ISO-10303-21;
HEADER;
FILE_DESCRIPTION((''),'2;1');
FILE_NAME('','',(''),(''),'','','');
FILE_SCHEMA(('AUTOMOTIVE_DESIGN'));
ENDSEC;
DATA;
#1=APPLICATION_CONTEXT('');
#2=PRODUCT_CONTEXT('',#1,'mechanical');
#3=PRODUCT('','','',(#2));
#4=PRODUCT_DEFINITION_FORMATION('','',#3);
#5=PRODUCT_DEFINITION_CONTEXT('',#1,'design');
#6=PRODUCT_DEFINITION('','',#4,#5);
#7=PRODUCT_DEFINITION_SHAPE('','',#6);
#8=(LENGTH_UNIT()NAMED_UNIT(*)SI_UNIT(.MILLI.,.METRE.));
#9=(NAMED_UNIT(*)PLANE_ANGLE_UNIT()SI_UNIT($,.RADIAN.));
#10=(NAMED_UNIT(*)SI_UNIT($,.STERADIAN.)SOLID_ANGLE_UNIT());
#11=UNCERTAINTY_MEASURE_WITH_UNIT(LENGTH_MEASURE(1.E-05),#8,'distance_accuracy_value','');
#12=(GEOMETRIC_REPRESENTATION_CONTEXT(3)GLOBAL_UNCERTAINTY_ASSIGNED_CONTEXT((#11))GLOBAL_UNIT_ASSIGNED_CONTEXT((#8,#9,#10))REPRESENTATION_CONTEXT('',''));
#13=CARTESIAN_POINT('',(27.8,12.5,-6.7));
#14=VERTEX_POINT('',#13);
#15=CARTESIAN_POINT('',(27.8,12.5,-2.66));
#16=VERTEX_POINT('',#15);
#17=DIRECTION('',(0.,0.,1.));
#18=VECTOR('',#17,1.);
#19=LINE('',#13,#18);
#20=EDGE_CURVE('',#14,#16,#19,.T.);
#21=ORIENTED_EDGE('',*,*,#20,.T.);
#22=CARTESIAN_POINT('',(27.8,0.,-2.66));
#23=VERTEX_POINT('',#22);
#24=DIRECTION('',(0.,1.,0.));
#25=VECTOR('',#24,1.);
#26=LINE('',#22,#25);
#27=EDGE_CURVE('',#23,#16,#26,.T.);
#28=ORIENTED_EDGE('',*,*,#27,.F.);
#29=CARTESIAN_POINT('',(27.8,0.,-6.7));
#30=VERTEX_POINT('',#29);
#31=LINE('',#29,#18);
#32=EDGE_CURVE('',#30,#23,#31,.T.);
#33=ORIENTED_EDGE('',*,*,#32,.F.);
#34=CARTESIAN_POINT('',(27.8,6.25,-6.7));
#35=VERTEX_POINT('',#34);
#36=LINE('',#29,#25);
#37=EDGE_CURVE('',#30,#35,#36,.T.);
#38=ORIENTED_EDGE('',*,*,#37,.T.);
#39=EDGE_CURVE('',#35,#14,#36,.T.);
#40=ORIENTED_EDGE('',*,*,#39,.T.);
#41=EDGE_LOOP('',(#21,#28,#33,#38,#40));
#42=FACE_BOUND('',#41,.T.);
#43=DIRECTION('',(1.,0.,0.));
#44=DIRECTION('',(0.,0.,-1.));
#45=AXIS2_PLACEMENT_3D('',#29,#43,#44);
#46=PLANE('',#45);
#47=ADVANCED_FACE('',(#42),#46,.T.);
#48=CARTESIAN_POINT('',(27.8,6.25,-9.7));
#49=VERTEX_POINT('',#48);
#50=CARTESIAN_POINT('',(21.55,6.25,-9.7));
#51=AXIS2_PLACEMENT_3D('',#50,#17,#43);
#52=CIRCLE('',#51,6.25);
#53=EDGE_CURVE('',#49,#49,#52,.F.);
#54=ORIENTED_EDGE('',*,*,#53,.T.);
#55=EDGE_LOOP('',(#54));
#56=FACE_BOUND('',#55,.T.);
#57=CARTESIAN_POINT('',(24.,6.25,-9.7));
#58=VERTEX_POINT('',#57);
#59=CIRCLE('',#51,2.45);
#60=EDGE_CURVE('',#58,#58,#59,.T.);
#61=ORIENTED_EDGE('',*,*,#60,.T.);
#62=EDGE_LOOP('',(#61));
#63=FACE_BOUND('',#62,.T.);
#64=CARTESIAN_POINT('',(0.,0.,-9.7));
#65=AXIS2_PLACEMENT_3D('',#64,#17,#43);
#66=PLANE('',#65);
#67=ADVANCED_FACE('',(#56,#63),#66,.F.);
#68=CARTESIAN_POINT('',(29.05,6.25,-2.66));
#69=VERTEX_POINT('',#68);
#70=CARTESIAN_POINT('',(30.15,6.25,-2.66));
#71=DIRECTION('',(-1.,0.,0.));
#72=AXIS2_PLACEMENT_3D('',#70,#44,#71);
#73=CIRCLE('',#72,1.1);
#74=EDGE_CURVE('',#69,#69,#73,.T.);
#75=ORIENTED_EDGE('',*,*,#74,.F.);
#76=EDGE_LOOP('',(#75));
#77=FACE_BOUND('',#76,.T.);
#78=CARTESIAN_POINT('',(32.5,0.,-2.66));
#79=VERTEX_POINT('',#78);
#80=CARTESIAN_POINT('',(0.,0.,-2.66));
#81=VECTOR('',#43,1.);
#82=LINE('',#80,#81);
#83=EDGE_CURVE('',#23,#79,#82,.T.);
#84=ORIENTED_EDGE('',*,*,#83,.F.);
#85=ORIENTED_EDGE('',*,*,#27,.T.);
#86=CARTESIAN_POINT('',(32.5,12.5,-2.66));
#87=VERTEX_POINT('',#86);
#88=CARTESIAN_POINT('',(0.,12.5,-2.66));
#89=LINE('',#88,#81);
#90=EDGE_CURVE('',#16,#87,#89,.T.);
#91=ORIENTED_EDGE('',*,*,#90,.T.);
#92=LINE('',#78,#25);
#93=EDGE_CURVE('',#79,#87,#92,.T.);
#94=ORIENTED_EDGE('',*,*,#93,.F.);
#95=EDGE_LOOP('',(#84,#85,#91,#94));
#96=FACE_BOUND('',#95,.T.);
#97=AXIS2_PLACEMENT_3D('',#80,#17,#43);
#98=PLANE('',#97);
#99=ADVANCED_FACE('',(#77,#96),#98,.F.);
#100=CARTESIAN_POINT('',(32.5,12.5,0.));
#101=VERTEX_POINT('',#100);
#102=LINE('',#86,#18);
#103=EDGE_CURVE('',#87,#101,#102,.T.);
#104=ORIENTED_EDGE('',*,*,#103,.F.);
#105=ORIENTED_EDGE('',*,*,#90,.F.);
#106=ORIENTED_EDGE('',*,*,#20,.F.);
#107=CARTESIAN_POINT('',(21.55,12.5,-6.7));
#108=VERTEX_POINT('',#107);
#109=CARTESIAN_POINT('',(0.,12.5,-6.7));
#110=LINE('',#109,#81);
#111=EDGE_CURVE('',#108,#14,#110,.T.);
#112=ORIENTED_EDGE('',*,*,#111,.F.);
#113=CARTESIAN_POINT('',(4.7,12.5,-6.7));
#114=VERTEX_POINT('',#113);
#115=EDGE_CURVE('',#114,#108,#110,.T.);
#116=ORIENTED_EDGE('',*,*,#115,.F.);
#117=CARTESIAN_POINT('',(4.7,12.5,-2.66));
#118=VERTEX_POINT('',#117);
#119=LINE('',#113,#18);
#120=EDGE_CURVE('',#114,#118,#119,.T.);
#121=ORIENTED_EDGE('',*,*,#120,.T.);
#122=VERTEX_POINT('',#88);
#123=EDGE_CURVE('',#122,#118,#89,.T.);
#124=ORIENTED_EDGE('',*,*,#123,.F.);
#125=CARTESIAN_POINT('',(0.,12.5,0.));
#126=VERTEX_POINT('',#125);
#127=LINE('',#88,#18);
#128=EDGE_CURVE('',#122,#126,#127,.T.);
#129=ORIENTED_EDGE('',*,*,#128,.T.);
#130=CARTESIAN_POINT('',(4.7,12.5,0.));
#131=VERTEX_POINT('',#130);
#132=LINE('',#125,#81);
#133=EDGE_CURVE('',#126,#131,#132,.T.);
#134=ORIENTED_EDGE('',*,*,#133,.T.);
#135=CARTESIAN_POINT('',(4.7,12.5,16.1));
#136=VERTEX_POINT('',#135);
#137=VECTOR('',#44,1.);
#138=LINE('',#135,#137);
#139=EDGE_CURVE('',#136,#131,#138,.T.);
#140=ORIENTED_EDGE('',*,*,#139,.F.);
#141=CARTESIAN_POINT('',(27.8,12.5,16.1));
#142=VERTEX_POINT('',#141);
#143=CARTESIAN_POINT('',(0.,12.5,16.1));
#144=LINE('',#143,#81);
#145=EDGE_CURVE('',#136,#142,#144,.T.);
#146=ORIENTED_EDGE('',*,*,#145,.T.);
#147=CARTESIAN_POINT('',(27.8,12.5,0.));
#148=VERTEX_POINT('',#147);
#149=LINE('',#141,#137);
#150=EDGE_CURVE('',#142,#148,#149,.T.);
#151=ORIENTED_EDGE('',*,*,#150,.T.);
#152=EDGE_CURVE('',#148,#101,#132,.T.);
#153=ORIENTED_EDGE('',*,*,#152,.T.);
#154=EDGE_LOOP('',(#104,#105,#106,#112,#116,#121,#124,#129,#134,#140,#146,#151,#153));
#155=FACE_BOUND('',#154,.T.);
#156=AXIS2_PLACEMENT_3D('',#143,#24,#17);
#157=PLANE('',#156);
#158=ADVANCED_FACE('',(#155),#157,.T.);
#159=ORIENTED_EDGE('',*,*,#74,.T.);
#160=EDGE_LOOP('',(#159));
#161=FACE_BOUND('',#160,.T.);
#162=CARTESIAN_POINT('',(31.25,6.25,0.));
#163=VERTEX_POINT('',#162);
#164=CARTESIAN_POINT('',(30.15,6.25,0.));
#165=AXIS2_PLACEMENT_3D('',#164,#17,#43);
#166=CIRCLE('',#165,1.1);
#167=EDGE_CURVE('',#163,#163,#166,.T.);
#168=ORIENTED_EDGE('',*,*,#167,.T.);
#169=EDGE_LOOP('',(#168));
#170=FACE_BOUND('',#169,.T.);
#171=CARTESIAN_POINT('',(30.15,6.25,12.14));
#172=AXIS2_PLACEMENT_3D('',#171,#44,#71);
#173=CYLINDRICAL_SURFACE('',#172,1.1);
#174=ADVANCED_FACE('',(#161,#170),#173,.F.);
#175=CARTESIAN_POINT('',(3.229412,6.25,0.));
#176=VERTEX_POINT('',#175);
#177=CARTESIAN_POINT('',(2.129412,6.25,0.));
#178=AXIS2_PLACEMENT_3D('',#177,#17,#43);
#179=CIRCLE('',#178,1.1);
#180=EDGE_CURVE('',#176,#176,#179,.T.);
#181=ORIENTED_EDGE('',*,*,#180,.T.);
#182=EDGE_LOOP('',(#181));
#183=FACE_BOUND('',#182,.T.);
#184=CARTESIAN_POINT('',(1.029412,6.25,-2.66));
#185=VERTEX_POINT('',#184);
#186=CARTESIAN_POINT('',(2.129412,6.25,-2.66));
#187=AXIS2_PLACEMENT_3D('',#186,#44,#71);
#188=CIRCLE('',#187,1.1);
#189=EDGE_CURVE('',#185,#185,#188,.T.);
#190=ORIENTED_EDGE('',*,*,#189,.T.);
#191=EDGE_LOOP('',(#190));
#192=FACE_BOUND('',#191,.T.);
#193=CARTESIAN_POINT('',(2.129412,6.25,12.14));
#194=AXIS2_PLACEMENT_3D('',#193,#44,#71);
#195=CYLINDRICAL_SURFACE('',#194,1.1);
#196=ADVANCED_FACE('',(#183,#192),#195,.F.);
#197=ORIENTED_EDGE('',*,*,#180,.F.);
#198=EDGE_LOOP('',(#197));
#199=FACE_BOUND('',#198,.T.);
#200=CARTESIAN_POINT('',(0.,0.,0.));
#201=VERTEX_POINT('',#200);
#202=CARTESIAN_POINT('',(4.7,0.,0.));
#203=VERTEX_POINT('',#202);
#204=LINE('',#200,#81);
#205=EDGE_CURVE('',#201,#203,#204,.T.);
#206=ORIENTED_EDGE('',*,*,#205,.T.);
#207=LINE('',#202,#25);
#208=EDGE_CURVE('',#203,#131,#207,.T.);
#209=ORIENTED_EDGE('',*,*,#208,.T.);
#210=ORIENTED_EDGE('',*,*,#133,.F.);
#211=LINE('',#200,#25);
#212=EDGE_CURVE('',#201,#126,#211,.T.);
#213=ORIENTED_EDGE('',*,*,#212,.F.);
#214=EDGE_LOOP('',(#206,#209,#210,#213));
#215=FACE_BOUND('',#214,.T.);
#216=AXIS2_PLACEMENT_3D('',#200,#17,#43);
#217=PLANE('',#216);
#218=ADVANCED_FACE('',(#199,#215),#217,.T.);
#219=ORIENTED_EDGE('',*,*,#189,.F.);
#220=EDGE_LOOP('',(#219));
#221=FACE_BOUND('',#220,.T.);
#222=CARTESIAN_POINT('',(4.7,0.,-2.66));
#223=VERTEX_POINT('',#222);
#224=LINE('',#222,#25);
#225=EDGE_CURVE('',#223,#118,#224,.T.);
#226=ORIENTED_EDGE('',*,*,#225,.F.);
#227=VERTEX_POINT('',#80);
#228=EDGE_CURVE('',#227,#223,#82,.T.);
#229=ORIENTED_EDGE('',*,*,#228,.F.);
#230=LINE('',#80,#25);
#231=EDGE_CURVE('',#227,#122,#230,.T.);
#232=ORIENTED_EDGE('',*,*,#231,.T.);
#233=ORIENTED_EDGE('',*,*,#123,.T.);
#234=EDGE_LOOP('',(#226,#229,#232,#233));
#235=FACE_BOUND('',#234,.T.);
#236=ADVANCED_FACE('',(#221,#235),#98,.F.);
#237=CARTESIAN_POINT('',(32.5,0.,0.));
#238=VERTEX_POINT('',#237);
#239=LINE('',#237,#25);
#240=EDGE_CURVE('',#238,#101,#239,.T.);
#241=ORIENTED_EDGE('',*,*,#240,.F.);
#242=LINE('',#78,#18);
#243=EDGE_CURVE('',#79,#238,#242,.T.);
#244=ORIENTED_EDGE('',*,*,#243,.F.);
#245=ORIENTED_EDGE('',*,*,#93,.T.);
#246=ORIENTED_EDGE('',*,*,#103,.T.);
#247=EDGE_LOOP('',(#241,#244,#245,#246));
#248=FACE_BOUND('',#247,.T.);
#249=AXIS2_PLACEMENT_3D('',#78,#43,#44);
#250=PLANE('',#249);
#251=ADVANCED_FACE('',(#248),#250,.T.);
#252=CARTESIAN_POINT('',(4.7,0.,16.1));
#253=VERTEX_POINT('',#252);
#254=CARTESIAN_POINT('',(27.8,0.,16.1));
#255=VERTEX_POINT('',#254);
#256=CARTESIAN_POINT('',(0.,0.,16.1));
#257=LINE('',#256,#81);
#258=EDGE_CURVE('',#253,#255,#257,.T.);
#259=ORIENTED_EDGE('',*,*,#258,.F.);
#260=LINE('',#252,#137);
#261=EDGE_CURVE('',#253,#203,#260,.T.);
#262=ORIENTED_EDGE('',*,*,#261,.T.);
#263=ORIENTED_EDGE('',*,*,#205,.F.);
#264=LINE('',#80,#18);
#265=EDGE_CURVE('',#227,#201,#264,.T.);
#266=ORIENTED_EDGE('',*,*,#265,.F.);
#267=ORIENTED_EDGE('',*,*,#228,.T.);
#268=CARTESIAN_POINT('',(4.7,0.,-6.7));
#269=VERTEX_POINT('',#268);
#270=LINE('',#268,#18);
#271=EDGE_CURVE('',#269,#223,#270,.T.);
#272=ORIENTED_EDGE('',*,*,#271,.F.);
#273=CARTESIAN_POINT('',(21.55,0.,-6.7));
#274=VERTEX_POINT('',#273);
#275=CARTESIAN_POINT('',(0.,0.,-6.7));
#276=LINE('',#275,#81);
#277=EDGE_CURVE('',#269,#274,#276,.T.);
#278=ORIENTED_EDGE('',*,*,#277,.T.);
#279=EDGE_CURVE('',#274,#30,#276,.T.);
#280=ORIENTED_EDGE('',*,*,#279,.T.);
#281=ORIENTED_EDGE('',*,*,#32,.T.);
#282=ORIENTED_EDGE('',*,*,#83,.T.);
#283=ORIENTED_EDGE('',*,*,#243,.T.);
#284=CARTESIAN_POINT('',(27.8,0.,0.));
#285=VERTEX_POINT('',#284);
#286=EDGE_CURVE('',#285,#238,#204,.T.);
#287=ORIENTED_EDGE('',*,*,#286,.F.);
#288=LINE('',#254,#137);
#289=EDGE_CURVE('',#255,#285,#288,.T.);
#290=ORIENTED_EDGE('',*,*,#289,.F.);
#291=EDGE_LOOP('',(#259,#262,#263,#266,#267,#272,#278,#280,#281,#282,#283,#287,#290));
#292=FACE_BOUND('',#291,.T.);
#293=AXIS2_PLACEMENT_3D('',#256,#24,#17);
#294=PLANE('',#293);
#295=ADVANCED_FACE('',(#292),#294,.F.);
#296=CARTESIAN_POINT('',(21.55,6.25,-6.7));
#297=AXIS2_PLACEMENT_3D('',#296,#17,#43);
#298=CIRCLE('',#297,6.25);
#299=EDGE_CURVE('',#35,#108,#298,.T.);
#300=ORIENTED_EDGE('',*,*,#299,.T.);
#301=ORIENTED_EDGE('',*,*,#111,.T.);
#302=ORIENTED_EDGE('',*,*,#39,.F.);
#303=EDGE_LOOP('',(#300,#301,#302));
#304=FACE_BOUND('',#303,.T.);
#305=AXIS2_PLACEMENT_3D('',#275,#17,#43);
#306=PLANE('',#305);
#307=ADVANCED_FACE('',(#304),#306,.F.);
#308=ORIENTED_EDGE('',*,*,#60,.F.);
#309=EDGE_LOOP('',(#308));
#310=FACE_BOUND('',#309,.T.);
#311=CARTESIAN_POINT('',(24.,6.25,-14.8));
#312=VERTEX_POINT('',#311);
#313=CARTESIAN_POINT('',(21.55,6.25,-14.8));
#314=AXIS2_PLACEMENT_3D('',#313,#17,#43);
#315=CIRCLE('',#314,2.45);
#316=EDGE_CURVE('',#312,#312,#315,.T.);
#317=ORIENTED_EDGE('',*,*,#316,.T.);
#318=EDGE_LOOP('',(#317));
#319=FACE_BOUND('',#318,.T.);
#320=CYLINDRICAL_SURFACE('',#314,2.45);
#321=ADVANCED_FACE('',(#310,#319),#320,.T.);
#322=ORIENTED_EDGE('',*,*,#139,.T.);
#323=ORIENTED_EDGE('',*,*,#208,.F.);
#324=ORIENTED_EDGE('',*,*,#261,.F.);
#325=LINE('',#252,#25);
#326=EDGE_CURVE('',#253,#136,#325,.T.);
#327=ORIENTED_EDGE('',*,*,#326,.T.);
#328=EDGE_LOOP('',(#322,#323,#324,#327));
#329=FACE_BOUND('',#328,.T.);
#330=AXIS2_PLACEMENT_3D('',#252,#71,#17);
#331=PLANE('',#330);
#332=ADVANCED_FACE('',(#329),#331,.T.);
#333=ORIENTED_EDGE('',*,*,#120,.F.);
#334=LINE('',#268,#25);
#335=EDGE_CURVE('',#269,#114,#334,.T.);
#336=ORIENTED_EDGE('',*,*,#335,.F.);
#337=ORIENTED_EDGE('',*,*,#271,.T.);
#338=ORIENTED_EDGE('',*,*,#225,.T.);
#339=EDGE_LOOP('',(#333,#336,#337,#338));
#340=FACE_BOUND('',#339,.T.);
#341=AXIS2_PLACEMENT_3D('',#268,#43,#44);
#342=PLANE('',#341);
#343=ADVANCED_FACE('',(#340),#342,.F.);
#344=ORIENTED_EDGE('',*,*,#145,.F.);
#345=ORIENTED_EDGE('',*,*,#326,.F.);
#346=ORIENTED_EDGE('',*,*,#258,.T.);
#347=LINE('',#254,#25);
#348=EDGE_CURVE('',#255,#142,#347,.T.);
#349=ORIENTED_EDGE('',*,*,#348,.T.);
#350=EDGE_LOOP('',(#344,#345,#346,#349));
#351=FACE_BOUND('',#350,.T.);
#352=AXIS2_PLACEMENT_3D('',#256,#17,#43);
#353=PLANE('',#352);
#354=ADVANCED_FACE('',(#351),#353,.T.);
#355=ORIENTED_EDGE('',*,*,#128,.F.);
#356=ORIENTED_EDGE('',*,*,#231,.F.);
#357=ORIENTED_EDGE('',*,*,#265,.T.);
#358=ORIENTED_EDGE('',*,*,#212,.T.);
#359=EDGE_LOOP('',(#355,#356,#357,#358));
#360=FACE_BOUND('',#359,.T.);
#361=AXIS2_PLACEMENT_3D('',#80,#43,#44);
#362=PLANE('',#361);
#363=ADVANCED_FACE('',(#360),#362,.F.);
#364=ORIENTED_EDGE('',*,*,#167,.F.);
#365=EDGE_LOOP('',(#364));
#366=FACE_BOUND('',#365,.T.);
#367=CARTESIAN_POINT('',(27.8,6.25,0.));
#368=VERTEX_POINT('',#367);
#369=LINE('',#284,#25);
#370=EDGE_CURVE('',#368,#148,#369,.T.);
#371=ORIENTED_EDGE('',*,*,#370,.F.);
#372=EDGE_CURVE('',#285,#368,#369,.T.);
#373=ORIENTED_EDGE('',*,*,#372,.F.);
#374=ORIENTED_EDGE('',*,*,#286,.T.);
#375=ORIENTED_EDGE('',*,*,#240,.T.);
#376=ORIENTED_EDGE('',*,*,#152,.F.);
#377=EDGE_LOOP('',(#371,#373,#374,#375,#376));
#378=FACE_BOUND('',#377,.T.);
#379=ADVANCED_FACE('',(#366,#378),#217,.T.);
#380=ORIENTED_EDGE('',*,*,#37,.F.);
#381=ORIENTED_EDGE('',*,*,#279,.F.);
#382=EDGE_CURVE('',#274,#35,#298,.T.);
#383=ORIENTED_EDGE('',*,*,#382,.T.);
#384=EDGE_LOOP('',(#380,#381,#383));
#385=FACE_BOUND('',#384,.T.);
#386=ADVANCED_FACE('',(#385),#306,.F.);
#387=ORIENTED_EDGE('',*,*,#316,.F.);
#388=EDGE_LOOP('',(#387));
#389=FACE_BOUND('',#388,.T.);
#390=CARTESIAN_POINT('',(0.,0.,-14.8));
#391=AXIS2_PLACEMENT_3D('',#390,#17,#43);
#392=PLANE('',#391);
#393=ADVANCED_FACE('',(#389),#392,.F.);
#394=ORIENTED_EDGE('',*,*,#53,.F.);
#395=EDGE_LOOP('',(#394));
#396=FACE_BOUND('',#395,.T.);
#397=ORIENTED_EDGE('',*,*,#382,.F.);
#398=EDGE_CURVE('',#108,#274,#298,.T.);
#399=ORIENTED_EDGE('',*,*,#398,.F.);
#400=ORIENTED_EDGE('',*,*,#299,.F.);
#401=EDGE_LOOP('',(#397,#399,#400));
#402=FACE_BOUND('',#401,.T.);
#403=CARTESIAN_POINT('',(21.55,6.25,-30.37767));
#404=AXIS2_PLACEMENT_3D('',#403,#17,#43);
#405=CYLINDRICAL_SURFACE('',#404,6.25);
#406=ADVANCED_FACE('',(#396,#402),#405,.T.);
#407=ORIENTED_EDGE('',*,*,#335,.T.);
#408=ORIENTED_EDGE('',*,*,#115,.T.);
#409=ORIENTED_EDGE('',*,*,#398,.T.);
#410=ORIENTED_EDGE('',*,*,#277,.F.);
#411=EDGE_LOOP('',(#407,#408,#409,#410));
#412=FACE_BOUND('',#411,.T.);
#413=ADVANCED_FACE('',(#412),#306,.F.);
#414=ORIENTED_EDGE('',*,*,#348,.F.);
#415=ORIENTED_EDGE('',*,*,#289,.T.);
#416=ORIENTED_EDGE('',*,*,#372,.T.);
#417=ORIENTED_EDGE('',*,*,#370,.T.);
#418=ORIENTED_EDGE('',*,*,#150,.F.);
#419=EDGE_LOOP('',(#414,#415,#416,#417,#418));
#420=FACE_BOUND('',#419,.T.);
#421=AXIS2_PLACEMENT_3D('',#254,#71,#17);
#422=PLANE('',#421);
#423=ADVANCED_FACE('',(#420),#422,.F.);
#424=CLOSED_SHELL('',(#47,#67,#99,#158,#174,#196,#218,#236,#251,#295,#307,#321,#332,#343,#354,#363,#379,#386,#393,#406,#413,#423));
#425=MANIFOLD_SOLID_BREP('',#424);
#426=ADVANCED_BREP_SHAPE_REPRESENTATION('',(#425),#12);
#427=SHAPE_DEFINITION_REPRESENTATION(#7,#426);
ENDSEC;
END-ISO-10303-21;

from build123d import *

# Parameters (mm, degrees)
SKETCH_1_R          = 6.25
SKETCH_1_R_2        = 2.45
EXTRUDE_1_DEPTH     = 16.1
SKETCH_1_3_W        = 32.5
SKETCH_1_3_H        = 12.5
EXTRUDE_2_DEPTH     = 2.66
SKETCH_1_4_R        = 6.25
SKETCH_1_4_R_2      = 2.45
SKETCH_1_4_W        = 23.1
SKETCH_1_4_H        = 12.5
EXTRUDE_3_DEPTH     = 6.7
SKETCH_1_5_R        = 6.25
EXTRUDE_4_DEPTH     = 9.7
SKETCH_1_6_R        = 2.45
EXTRUDE_5_DEPTH     = 14.8
SKETCH_3_R          = 1.1
CUT_EXTRUDE_1_DEPTH = 14.8
SKETCH_2_R          = 1.1
CUT_EXTRUDE_2_DEPTH = 14.8


with BuildPart() as part:
    # 草图1 → 凸台-拉伸1 (new body)
    with BuildSketch(Plane.XY):
        with BuildLine():
            Line((4.7, 12.5), (4.7, 0))
            Line((4.7, 0), (21.55, 0))
            ThreePointArc((21.55, 0), (15.3, 6.25), (21.55, 12.5))
            Line((21.55, 12.5), (4.7, 12.5))
        make_face()
        with BuildLine():
            Line((27.8, 12.5), (21.55, 12.5))
            ThreePointArc((21.55, 12.5), (25.969417382, 10.669417382), (27.8, 6.25))
            Line((27.8, 6.25), (27.8, 12.5))
        make_face()
        with BuildLine():
            ThreePointArc((27.8, 6.25), (25.969417382, 1.830582618), (21.55, 0))
            Line((21.55, 0), (27.8, 0))
            Line((27.8, 0), (27.8, 6.25))
        make_face()
        with Locations((21.55, 6.25)):
            Circle(SKETCH_1_R)
        with Locations((21.55, 6.25)):
            Circle(SKETCH_1_R_2, mode=Mode.SUBTRACT)
        with Locations((21.55, 6.25)):
            Circle(SKETCH_1_R_2)
    extrude(amount=EXTRUDE_1_DEPTH)

    # 草图1<3> → 凸台-拉伸2 (add)
    with BuildSketch(Plane.XY):
        with Locations((16.25, 6.25)):
            Rectangle(SKETCH_1_3_W, SKETCH_1_3_H)
    extrude(amount=-EXTRUDE_2_DEPTH)

    # 草图1<4> → 凸台-拉伸3 (add)
    with BuildSketch(Plane.XY):
        with Locations((21.55, 6.25)):
            Circle(SKETCH_1_4_R)
        with Locations((21.55, 6.25)):
            Circle(SKETCH_1_4_R_2, mode=Mode.SUBTRACT)
        with Locations((16.25, 6.25)):
            Rectangle(SKETCH_1_4_W, SKETCH_1_4_H)
    extrude(amount=-EXTRUDE_3_DEPTH)

    # 草图1<5> → 凸台-拉伸4 (add)
    with BuildSketch(Plane.XY):
        with Locations((21.55, 6.25)):
            Circle(SKETCH_1_5_R)
    extrude(amount=-EXTRUDE_4_DEPTH)

    # 草图1<6> → 凸台-拉伸5 (add)
    with BuildSketch(Plane.XY):
        with Locations((21.55, 6.25)):
            Circle(SKETCH_1_6_R)
    extrude(amount=-EXTRUDE_5_DEPTH)

    # 草图3 → 切除-拉伸1 (cut)
    with BuildSketch(Plane(origin=(0, 0, -2.66), x_dir=(-1, 0, 0), z_dir=(0, 0, -1))):
        with Locations((-2.12941164, 6.25)):
            Circle(SKETCH_3_R)
    extrude(amount=-CUT_EXTRUDE_1_DEPTH, mode=Mode.SUBTRACT)

    # 草图2 → 切除-拉伸2 (cut)
    with BuildSketch(Plane(origin=(0, 0, -2.66), x_dir=(-1, 0, 0), z_dir=(0, 0, -1))):
        with Locations((-30.15, 6.25)):
            Circle(SKETCH_2_R)
    extrude(amount=-CUT_EXTRUDE_2_DEPTH, mode=Mode.SUBTRACT)


solid = part.part
